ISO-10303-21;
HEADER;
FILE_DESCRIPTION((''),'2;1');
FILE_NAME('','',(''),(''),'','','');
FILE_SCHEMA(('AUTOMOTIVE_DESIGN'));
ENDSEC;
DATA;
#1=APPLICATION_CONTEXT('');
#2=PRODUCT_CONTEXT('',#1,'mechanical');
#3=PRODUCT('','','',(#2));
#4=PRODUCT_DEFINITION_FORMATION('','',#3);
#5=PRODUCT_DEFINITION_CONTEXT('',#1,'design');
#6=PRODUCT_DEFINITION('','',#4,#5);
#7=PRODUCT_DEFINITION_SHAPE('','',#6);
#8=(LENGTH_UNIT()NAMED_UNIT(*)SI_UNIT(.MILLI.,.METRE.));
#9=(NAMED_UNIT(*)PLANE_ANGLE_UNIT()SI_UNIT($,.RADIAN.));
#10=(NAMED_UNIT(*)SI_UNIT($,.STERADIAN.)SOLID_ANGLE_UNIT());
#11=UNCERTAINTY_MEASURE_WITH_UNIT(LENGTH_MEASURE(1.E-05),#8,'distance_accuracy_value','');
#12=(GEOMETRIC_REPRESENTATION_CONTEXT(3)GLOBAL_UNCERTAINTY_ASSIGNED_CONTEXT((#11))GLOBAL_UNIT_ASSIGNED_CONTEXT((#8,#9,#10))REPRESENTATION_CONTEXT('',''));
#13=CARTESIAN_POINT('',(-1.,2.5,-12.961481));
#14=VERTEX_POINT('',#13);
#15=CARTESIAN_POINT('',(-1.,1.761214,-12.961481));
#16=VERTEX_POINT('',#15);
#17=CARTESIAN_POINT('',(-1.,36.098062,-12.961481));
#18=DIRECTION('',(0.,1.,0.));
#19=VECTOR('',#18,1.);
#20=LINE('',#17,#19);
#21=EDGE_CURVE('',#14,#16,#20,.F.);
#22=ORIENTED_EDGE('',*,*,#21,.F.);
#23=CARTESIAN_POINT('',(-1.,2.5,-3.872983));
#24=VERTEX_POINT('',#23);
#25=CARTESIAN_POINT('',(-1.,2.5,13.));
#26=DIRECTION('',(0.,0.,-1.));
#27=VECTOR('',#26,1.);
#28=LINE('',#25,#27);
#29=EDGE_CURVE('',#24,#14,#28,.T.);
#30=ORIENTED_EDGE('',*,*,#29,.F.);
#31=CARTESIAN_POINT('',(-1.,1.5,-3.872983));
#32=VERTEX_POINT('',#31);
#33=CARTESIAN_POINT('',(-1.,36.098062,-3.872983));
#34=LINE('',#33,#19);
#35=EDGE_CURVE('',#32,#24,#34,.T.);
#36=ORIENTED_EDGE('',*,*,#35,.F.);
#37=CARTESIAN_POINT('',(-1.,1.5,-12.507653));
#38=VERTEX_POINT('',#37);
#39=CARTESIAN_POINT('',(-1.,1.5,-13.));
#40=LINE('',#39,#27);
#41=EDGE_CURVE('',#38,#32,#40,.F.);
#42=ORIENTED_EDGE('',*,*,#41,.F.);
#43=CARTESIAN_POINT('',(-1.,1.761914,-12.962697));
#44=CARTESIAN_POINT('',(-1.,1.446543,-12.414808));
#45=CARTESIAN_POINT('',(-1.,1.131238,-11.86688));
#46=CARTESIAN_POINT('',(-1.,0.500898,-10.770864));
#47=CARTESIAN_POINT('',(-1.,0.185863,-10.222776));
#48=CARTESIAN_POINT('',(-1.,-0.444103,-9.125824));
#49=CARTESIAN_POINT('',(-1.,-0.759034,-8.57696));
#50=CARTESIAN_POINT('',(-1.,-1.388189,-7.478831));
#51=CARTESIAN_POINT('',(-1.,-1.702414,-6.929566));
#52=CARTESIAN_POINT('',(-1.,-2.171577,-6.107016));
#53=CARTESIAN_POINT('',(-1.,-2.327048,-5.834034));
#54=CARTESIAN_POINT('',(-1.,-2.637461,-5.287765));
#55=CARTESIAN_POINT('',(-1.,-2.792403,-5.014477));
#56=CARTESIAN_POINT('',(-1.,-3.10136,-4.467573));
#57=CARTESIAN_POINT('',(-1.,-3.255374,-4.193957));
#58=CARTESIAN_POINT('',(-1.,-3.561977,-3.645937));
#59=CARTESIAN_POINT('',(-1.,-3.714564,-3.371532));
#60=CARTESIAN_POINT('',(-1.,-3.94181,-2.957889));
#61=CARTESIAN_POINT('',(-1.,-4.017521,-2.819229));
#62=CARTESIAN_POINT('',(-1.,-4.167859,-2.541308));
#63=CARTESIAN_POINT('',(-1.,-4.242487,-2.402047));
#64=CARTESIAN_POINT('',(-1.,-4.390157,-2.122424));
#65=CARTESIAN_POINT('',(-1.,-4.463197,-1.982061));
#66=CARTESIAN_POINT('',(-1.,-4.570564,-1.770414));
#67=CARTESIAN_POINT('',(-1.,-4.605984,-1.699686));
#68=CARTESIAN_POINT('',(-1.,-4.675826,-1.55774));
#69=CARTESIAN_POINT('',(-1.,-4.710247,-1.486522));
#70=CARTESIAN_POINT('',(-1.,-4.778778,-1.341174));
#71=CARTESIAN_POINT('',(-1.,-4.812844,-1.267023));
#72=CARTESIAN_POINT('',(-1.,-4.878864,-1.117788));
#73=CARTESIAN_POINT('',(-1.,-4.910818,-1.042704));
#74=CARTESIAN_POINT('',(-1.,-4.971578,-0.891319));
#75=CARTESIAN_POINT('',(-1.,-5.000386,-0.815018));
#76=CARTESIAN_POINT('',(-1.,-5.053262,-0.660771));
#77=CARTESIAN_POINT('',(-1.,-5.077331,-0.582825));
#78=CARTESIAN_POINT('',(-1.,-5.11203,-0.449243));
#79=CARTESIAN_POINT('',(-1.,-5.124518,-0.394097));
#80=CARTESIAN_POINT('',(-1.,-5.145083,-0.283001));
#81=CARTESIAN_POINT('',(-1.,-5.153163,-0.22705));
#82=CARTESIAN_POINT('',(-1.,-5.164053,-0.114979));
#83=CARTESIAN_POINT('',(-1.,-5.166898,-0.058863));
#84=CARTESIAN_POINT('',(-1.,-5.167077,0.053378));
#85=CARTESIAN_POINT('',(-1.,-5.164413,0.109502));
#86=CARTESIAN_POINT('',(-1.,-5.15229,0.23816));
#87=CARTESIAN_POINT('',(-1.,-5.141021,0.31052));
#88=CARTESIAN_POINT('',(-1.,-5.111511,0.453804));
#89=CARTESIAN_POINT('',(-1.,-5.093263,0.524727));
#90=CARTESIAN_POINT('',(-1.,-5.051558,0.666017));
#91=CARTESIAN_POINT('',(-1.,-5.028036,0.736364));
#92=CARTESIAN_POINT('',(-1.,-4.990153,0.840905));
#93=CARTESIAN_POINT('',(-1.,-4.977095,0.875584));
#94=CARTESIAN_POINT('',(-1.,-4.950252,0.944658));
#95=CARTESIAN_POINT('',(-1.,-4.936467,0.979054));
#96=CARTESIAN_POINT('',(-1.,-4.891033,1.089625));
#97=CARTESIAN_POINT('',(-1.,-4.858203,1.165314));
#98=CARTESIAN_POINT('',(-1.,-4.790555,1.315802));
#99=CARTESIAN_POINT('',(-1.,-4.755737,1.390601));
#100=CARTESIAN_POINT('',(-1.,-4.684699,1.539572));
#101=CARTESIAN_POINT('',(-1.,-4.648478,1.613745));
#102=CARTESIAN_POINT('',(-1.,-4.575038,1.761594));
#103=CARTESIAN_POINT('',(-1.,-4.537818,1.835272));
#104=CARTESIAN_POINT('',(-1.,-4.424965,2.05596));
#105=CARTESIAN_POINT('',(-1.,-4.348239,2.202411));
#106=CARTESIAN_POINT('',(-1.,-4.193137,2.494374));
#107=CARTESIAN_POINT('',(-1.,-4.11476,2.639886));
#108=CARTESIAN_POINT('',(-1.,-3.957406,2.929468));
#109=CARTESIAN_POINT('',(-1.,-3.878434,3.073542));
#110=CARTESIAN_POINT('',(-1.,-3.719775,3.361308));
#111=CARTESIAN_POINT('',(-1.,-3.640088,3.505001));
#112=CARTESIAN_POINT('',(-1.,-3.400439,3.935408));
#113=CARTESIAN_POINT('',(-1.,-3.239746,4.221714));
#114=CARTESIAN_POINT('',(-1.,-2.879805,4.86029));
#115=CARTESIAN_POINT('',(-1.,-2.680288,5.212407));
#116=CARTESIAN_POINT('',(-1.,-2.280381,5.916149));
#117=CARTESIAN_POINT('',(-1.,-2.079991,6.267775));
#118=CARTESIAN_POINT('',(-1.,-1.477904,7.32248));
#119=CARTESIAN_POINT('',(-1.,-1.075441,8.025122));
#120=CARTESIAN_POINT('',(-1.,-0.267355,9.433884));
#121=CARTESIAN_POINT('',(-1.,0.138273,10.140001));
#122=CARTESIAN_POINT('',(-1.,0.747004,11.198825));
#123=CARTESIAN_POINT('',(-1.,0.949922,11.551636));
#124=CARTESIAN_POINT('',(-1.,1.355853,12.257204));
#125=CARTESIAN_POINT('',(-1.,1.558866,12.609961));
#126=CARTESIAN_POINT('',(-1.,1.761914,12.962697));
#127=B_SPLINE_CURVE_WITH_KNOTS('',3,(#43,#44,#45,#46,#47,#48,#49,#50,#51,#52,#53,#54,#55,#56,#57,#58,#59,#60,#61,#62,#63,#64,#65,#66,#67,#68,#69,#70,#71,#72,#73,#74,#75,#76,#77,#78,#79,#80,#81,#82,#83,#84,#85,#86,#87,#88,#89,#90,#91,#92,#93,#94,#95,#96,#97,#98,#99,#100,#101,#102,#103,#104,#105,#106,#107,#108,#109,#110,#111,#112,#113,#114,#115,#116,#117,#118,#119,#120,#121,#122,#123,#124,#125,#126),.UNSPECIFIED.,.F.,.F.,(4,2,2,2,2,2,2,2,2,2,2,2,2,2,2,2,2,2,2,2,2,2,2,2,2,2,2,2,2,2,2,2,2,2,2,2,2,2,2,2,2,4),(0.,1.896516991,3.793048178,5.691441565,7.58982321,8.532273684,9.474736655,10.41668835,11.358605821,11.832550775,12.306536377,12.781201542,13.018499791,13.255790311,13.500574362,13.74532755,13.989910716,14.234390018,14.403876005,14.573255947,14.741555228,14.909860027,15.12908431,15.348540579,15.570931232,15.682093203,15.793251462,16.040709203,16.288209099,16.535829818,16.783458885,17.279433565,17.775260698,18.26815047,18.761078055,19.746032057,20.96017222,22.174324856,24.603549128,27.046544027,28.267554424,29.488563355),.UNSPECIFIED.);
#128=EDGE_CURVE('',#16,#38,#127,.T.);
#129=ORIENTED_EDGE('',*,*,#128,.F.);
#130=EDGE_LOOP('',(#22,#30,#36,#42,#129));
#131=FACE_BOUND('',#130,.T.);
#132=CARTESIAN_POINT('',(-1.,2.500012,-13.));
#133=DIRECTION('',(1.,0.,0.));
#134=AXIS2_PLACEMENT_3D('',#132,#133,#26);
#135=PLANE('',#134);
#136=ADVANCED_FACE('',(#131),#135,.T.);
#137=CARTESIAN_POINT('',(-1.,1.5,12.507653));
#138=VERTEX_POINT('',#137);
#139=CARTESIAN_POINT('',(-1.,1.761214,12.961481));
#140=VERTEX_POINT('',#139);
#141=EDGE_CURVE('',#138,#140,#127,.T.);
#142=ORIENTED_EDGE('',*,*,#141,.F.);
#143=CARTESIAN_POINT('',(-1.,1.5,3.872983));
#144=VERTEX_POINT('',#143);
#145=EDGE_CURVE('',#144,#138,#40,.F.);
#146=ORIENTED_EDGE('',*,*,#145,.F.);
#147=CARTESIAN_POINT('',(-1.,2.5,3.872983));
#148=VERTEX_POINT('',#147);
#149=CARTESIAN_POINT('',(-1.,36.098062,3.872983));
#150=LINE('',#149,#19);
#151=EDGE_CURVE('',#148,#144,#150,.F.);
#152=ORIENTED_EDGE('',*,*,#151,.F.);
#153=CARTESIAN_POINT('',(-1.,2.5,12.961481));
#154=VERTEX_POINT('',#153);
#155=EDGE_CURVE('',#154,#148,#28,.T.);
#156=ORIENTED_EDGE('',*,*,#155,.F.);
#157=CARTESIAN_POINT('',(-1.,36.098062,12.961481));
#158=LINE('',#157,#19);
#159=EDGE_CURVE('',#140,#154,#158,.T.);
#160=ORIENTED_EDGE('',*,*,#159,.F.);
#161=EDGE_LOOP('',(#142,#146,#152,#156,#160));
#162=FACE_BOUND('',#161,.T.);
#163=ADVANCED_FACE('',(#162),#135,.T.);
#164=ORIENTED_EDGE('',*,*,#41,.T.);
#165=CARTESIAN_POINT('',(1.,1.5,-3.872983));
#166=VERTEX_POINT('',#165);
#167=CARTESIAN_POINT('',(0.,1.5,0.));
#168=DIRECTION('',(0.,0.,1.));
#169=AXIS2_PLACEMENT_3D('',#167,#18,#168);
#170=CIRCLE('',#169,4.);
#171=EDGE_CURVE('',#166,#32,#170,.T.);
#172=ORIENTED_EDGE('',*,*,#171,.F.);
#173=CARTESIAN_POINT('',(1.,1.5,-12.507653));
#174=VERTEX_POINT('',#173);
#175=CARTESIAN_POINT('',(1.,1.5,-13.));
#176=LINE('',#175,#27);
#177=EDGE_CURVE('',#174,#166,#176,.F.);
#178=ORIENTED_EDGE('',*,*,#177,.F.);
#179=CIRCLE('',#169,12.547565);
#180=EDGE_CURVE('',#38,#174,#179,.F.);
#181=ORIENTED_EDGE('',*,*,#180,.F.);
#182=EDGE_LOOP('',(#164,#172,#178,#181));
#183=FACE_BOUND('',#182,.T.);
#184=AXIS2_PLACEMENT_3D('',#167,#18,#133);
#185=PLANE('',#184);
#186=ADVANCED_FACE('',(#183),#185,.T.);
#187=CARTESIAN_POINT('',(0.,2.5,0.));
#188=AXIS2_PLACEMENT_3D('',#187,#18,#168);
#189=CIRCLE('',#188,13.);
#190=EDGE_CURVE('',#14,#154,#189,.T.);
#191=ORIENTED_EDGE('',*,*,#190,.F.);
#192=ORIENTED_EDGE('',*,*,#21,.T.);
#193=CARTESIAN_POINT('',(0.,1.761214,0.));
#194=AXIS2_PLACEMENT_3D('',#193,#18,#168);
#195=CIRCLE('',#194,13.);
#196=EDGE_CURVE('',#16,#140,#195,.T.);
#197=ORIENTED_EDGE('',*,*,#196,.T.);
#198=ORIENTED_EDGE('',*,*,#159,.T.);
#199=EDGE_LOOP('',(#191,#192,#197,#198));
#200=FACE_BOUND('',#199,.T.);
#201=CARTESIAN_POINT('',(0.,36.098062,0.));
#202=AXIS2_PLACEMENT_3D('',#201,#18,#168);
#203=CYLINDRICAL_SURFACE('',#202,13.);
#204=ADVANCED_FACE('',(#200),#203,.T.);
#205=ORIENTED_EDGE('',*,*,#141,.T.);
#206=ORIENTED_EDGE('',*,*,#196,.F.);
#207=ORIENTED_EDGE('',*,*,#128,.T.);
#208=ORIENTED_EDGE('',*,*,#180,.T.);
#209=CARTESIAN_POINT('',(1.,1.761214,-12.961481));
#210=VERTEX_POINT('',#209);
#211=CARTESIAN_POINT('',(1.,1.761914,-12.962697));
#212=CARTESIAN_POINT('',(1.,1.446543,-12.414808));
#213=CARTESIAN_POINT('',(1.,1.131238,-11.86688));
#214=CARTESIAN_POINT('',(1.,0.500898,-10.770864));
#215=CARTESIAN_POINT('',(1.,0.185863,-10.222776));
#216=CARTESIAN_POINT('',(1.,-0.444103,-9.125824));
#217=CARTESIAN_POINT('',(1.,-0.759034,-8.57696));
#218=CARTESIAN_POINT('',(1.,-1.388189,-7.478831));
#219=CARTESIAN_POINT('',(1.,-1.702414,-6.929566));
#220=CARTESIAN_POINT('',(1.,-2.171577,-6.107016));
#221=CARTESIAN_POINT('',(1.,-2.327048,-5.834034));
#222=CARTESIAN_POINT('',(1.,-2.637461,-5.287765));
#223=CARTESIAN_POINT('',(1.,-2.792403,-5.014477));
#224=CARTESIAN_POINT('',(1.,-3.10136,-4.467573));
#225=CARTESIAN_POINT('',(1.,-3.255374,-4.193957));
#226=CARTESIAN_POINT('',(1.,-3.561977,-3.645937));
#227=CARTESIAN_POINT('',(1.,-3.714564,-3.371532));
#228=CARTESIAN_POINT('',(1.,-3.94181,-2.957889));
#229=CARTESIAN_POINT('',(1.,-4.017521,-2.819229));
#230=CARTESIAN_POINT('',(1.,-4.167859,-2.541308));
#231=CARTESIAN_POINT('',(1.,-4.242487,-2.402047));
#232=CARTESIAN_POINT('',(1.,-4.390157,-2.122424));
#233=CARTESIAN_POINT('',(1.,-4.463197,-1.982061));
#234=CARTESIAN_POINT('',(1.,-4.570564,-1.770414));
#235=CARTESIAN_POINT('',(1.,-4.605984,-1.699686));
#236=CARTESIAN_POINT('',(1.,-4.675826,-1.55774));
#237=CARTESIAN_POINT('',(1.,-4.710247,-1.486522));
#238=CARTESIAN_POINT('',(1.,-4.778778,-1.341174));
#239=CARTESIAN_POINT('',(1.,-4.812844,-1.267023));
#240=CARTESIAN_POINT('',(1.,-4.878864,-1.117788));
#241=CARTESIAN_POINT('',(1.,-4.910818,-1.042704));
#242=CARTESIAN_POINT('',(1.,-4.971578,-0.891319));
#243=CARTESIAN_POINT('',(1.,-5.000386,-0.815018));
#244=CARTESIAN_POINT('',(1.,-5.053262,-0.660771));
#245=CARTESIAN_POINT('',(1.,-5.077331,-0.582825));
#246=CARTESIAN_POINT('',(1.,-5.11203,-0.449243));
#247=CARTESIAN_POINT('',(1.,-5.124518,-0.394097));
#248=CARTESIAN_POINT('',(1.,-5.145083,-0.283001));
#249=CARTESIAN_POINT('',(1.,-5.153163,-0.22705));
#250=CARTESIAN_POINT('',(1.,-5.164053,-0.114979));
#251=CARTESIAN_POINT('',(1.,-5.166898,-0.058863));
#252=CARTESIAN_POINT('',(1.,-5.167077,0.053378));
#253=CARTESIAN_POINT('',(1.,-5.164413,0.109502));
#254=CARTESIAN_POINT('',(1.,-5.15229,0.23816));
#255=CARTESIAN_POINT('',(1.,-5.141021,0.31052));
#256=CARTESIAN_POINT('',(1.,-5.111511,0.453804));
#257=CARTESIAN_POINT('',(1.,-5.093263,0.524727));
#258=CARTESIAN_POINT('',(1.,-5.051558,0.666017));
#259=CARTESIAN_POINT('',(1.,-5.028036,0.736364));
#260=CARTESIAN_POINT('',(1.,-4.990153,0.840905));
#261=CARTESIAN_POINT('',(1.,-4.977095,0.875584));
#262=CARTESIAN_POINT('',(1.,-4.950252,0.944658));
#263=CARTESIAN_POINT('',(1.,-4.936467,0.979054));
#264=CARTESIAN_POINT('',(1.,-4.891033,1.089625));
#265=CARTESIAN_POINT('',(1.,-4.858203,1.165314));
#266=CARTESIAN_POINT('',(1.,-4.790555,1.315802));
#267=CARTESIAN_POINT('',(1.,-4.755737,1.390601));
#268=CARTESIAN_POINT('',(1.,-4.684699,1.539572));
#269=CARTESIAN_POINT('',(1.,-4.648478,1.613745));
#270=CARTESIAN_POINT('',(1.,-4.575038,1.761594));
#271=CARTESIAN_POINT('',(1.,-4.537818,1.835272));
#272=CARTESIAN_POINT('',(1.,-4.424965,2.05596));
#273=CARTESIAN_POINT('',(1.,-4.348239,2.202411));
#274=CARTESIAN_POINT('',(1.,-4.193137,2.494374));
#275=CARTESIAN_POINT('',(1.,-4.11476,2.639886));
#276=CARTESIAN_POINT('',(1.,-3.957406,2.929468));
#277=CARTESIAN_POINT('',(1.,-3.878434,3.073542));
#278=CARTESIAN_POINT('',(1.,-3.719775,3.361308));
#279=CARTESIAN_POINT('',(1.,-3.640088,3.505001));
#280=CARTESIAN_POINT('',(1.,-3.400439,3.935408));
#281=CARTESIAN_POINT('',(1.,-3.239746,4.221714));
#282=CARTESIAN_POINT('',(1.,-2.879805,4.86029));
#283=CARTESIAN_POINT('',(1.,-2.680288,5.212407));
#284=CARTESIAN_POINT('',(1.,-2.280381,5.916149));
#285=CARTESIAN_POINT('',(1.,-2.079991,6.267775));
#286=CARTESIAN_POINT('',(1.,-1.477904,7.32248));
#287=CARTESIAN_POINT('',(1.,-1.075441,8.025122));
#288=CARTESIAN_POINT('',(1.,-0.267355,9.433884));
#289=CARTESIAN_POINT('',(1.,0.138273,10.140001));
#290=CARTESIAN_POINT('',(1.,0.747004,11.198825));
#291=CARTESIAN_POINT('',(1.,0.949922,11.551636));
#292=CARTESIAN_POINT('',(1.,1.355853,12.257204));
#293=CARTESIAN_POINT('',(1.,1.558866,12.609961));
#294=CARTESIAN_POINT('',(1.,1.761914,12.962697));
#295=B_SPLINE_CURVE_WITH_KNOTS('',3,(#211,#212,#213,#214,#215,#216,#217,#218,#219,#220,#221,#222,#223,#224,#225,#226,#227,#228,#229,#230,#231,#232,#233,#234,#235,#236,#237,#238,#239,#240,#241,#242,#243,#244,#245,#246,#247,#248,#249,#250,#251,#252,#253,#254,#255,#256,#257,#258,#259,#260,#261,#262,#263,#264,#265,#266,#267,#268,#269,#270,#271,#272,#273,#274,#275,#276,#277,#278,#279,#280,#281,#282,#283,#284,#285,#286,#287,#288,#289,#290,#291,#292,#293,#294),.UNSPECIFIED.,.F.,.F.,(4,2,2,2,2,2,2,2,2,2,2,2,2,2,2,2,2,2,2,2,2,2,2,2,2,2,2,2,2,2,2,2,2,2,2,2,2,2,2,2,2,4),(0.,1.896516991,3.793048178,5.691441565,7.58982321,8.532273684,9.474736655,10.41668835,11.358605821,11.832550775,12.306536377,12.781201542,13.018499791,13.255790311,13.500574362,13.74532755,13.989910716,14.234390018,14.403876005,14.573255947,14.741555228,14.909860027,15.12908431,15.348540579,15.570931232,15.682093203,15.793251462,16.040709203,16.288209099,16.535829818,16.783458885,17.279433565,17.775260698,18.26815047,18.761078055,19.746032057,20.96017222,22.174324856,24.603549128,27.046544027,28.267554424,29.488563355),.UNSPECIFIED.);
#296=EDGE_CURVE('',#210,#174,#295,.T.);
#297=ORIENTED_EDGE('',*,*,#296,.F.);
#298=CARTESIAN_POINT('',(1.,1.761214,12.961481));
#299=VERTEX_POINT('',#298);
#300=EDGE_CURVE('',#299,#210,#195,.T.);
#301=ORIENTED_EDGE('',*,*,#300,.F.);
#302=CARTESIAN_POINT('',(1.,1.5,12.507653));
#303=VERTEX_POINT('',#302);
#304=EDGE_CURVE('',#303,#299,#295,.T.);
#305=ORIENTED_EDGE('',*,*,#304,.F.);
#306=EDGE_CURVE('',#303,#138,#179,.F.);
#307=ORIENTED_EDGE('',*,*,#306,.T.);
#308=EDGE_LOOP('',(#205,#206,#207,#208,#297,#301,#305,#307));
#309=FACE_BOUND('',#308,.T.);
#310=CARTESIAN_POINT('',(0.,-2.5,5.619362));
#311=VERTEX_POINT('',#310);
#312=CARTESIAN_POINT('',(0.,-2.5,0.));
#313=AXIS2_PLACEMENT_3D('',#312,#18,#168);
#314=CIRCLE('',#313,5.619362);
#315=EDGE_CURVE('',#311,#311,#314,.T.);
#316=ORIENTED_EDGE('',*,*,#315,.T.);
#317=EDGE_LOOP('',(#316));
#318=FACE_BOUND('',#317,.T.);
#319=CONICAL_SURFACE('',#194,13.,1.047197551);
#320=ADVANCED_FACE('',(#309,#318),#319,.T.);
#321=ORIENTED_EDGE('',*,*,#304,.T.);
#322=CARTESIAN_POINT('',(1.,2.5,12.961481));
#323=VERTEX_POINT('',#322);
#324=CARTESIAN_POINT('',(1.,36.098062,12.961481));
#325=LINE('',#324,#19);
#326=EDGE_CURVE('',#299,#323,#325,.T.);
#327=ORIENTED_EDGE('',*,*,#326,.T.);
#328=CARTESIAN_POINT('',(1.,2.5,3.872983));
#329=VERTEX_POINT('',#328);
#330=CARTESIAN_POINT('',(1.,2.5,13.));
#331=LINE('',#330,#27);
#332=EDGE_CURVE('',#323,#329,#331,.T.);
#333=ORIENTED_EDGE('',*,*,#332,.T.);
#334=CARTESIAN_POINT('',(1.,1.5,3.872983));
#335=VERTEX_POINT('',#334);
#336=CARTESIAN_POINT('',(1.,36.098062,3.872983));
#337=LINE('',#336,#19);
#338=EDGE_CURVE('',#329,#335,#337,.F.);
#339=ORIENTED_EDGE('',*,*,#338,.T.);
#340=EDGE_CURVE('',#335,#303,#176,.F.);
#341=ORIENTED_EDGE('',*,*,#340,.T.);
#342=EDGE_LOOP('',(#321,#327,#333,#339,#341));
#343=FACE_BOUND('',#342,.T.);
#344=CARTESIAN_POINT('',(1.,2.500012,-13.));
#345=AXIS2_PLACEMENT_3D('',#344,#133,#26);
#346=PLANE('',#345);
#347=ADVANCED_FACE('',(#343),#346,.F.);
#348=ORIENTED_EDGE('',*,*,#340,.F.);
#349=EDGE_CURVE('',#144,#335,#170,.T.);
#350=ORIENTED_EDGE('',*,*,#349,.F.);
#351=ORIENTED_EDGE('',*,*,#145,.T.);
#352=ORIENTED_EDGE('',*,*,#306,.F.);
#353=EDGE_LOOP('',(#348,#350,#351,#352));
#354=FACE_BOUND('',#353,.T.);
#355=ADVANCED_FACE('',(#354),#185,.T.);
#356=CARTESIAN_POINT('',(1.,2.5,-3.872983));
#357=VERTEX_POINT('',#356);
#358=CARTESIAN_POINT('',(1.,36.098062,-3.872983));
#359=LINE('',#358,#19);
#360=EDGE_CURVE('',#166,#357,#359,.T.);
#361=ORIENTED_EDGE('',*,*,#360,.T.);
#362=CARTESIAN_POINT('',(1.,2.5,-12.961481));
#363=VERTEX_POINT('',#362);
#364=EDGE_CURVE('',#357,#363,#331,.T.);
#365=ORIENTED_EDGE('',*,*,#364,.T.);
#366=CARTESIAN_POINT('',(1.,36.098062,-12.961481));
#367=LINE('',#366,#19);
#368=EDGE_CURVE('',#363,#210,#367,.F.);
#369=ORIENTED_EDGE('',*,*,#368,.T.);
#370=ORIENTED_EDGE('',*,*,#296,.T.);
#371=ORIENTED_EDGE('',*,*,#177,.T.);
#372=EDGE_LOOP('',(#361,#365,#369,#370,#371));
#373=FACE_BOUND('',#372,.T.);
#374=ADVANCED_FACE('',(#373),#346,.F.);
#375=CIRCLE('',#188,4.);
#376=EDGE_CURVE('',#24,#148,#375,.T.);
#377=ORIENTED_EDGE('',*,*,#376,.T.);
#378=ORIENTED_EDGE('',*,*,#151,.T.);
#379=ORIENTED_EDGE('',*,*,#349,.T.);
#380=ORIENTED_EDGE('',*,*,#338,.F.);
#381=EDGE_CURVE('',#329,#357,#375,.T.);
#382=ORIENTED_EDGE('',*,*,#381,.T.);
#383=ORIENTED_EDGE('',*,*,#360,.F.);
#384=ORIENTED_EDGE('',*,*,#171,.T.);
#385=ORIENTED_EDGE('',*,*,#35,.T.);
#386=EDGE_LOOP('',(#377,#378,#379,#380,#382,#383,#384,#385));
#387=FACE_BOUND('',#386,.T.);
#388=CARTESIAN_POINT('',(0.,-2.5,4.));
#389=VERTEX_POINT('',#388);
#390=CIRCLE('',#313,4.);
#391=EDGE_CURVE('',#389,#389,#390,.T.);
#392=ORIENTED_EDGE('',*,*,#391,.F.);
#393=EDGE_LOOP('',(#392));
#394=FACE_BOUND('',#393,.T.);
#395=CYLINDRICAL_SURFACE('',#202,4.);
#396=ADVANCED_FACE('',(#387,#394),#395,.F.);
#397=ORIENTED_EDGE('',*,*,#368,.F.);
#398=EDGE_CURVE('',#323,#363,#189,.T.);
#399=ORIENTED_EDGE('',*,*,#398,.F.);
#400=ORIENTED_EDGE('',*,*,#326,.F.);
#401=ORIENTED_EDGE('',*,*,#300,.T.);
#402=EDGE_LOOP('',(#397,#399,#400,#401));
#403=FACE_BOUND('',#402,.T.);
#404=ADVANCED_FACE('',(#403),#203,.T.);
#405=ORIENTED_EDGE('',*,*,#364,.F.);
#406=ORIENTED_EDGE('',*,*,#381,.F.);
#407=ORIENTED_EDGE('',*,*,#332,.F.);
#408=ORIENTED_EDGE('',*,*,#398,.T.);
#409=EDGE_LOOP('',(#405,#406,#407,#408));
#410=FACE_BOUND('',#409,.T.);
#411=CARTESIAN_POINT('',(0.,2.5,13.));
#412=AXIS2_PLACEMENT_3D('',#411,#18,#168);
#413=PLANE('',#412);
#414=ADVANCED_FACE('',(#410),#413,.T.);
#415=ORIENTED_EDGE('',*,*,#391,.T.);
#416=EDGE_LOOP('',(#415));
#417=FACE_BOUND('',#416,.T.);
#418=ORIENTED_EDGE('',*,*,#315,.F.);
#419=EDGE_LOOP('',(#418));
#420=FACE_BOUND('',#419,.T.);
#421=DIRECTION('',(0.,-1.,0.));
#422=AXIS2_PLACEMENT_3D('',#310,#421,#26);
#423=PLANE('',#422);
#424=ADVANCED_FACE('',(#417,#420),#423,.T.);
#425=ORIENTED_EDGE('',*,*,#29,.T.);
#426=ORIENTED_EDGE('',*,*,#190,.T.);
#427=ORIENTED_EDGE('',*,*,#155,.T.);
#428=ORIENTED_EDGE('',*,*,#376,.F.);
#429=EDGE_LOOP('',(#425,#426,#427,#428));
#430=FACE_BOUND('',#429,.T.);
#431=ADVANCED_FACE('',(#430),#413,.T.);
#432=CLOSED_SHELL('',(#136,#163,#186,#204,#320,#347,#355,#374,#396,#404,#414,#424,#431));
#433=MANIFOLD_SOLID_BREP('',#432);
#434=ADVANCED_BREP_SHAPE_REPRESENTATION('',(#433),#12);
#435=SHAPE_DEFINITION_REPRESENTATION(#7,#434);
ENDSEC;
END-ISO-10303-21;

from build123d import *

# Parameters (mm, degrees)
CUT_EXTRUDE_THIN2_DEPTH      = 20.052558883
CUT_EXTRUDE_THIN2_DEPTH_BACK = 1
SKETCH2_W                    = 2
SKETCH2_H                    = 26


with BuildPart() as part:
    # Sketch1 → Revolve1 (revolve)
    with BuildSketch(Plane(origin=(0, 0, 0), x_dir=(0, 0, -1), z_dir=(1, 0, 0))):
        Polygon((-13, 1.761213565), (-5.619361604, -2.5), (-4, -2.5), (-4, 2.5), (-13, 2.5), align=None)
    revolve(axis=Axis((0, 36.09806212, 0), (0, -1, 0)))

    # Sketch2 → Cut-Extrude-Thin2 (cut, two sides: drawn at the far end of the back side and taken through both)
    with BuildSketch(Plane(origin=(0, 2.5, 0), x_dir=(1, 0, 0), z_dir=(0, 1, 0)).offset(-CUT_EXTRUDE_THIN2_DEPTH_BACK)):
        Rectangle(SKETCH2_W, SKETCH2_H)
    extrude(amount=CUT_EXTRUDE_THIN2_DEPTH + CUT_EXTRUDE_THIN2_DEPTH_BACK, mode=Mode.SUBTRACT)


solid = part.part
